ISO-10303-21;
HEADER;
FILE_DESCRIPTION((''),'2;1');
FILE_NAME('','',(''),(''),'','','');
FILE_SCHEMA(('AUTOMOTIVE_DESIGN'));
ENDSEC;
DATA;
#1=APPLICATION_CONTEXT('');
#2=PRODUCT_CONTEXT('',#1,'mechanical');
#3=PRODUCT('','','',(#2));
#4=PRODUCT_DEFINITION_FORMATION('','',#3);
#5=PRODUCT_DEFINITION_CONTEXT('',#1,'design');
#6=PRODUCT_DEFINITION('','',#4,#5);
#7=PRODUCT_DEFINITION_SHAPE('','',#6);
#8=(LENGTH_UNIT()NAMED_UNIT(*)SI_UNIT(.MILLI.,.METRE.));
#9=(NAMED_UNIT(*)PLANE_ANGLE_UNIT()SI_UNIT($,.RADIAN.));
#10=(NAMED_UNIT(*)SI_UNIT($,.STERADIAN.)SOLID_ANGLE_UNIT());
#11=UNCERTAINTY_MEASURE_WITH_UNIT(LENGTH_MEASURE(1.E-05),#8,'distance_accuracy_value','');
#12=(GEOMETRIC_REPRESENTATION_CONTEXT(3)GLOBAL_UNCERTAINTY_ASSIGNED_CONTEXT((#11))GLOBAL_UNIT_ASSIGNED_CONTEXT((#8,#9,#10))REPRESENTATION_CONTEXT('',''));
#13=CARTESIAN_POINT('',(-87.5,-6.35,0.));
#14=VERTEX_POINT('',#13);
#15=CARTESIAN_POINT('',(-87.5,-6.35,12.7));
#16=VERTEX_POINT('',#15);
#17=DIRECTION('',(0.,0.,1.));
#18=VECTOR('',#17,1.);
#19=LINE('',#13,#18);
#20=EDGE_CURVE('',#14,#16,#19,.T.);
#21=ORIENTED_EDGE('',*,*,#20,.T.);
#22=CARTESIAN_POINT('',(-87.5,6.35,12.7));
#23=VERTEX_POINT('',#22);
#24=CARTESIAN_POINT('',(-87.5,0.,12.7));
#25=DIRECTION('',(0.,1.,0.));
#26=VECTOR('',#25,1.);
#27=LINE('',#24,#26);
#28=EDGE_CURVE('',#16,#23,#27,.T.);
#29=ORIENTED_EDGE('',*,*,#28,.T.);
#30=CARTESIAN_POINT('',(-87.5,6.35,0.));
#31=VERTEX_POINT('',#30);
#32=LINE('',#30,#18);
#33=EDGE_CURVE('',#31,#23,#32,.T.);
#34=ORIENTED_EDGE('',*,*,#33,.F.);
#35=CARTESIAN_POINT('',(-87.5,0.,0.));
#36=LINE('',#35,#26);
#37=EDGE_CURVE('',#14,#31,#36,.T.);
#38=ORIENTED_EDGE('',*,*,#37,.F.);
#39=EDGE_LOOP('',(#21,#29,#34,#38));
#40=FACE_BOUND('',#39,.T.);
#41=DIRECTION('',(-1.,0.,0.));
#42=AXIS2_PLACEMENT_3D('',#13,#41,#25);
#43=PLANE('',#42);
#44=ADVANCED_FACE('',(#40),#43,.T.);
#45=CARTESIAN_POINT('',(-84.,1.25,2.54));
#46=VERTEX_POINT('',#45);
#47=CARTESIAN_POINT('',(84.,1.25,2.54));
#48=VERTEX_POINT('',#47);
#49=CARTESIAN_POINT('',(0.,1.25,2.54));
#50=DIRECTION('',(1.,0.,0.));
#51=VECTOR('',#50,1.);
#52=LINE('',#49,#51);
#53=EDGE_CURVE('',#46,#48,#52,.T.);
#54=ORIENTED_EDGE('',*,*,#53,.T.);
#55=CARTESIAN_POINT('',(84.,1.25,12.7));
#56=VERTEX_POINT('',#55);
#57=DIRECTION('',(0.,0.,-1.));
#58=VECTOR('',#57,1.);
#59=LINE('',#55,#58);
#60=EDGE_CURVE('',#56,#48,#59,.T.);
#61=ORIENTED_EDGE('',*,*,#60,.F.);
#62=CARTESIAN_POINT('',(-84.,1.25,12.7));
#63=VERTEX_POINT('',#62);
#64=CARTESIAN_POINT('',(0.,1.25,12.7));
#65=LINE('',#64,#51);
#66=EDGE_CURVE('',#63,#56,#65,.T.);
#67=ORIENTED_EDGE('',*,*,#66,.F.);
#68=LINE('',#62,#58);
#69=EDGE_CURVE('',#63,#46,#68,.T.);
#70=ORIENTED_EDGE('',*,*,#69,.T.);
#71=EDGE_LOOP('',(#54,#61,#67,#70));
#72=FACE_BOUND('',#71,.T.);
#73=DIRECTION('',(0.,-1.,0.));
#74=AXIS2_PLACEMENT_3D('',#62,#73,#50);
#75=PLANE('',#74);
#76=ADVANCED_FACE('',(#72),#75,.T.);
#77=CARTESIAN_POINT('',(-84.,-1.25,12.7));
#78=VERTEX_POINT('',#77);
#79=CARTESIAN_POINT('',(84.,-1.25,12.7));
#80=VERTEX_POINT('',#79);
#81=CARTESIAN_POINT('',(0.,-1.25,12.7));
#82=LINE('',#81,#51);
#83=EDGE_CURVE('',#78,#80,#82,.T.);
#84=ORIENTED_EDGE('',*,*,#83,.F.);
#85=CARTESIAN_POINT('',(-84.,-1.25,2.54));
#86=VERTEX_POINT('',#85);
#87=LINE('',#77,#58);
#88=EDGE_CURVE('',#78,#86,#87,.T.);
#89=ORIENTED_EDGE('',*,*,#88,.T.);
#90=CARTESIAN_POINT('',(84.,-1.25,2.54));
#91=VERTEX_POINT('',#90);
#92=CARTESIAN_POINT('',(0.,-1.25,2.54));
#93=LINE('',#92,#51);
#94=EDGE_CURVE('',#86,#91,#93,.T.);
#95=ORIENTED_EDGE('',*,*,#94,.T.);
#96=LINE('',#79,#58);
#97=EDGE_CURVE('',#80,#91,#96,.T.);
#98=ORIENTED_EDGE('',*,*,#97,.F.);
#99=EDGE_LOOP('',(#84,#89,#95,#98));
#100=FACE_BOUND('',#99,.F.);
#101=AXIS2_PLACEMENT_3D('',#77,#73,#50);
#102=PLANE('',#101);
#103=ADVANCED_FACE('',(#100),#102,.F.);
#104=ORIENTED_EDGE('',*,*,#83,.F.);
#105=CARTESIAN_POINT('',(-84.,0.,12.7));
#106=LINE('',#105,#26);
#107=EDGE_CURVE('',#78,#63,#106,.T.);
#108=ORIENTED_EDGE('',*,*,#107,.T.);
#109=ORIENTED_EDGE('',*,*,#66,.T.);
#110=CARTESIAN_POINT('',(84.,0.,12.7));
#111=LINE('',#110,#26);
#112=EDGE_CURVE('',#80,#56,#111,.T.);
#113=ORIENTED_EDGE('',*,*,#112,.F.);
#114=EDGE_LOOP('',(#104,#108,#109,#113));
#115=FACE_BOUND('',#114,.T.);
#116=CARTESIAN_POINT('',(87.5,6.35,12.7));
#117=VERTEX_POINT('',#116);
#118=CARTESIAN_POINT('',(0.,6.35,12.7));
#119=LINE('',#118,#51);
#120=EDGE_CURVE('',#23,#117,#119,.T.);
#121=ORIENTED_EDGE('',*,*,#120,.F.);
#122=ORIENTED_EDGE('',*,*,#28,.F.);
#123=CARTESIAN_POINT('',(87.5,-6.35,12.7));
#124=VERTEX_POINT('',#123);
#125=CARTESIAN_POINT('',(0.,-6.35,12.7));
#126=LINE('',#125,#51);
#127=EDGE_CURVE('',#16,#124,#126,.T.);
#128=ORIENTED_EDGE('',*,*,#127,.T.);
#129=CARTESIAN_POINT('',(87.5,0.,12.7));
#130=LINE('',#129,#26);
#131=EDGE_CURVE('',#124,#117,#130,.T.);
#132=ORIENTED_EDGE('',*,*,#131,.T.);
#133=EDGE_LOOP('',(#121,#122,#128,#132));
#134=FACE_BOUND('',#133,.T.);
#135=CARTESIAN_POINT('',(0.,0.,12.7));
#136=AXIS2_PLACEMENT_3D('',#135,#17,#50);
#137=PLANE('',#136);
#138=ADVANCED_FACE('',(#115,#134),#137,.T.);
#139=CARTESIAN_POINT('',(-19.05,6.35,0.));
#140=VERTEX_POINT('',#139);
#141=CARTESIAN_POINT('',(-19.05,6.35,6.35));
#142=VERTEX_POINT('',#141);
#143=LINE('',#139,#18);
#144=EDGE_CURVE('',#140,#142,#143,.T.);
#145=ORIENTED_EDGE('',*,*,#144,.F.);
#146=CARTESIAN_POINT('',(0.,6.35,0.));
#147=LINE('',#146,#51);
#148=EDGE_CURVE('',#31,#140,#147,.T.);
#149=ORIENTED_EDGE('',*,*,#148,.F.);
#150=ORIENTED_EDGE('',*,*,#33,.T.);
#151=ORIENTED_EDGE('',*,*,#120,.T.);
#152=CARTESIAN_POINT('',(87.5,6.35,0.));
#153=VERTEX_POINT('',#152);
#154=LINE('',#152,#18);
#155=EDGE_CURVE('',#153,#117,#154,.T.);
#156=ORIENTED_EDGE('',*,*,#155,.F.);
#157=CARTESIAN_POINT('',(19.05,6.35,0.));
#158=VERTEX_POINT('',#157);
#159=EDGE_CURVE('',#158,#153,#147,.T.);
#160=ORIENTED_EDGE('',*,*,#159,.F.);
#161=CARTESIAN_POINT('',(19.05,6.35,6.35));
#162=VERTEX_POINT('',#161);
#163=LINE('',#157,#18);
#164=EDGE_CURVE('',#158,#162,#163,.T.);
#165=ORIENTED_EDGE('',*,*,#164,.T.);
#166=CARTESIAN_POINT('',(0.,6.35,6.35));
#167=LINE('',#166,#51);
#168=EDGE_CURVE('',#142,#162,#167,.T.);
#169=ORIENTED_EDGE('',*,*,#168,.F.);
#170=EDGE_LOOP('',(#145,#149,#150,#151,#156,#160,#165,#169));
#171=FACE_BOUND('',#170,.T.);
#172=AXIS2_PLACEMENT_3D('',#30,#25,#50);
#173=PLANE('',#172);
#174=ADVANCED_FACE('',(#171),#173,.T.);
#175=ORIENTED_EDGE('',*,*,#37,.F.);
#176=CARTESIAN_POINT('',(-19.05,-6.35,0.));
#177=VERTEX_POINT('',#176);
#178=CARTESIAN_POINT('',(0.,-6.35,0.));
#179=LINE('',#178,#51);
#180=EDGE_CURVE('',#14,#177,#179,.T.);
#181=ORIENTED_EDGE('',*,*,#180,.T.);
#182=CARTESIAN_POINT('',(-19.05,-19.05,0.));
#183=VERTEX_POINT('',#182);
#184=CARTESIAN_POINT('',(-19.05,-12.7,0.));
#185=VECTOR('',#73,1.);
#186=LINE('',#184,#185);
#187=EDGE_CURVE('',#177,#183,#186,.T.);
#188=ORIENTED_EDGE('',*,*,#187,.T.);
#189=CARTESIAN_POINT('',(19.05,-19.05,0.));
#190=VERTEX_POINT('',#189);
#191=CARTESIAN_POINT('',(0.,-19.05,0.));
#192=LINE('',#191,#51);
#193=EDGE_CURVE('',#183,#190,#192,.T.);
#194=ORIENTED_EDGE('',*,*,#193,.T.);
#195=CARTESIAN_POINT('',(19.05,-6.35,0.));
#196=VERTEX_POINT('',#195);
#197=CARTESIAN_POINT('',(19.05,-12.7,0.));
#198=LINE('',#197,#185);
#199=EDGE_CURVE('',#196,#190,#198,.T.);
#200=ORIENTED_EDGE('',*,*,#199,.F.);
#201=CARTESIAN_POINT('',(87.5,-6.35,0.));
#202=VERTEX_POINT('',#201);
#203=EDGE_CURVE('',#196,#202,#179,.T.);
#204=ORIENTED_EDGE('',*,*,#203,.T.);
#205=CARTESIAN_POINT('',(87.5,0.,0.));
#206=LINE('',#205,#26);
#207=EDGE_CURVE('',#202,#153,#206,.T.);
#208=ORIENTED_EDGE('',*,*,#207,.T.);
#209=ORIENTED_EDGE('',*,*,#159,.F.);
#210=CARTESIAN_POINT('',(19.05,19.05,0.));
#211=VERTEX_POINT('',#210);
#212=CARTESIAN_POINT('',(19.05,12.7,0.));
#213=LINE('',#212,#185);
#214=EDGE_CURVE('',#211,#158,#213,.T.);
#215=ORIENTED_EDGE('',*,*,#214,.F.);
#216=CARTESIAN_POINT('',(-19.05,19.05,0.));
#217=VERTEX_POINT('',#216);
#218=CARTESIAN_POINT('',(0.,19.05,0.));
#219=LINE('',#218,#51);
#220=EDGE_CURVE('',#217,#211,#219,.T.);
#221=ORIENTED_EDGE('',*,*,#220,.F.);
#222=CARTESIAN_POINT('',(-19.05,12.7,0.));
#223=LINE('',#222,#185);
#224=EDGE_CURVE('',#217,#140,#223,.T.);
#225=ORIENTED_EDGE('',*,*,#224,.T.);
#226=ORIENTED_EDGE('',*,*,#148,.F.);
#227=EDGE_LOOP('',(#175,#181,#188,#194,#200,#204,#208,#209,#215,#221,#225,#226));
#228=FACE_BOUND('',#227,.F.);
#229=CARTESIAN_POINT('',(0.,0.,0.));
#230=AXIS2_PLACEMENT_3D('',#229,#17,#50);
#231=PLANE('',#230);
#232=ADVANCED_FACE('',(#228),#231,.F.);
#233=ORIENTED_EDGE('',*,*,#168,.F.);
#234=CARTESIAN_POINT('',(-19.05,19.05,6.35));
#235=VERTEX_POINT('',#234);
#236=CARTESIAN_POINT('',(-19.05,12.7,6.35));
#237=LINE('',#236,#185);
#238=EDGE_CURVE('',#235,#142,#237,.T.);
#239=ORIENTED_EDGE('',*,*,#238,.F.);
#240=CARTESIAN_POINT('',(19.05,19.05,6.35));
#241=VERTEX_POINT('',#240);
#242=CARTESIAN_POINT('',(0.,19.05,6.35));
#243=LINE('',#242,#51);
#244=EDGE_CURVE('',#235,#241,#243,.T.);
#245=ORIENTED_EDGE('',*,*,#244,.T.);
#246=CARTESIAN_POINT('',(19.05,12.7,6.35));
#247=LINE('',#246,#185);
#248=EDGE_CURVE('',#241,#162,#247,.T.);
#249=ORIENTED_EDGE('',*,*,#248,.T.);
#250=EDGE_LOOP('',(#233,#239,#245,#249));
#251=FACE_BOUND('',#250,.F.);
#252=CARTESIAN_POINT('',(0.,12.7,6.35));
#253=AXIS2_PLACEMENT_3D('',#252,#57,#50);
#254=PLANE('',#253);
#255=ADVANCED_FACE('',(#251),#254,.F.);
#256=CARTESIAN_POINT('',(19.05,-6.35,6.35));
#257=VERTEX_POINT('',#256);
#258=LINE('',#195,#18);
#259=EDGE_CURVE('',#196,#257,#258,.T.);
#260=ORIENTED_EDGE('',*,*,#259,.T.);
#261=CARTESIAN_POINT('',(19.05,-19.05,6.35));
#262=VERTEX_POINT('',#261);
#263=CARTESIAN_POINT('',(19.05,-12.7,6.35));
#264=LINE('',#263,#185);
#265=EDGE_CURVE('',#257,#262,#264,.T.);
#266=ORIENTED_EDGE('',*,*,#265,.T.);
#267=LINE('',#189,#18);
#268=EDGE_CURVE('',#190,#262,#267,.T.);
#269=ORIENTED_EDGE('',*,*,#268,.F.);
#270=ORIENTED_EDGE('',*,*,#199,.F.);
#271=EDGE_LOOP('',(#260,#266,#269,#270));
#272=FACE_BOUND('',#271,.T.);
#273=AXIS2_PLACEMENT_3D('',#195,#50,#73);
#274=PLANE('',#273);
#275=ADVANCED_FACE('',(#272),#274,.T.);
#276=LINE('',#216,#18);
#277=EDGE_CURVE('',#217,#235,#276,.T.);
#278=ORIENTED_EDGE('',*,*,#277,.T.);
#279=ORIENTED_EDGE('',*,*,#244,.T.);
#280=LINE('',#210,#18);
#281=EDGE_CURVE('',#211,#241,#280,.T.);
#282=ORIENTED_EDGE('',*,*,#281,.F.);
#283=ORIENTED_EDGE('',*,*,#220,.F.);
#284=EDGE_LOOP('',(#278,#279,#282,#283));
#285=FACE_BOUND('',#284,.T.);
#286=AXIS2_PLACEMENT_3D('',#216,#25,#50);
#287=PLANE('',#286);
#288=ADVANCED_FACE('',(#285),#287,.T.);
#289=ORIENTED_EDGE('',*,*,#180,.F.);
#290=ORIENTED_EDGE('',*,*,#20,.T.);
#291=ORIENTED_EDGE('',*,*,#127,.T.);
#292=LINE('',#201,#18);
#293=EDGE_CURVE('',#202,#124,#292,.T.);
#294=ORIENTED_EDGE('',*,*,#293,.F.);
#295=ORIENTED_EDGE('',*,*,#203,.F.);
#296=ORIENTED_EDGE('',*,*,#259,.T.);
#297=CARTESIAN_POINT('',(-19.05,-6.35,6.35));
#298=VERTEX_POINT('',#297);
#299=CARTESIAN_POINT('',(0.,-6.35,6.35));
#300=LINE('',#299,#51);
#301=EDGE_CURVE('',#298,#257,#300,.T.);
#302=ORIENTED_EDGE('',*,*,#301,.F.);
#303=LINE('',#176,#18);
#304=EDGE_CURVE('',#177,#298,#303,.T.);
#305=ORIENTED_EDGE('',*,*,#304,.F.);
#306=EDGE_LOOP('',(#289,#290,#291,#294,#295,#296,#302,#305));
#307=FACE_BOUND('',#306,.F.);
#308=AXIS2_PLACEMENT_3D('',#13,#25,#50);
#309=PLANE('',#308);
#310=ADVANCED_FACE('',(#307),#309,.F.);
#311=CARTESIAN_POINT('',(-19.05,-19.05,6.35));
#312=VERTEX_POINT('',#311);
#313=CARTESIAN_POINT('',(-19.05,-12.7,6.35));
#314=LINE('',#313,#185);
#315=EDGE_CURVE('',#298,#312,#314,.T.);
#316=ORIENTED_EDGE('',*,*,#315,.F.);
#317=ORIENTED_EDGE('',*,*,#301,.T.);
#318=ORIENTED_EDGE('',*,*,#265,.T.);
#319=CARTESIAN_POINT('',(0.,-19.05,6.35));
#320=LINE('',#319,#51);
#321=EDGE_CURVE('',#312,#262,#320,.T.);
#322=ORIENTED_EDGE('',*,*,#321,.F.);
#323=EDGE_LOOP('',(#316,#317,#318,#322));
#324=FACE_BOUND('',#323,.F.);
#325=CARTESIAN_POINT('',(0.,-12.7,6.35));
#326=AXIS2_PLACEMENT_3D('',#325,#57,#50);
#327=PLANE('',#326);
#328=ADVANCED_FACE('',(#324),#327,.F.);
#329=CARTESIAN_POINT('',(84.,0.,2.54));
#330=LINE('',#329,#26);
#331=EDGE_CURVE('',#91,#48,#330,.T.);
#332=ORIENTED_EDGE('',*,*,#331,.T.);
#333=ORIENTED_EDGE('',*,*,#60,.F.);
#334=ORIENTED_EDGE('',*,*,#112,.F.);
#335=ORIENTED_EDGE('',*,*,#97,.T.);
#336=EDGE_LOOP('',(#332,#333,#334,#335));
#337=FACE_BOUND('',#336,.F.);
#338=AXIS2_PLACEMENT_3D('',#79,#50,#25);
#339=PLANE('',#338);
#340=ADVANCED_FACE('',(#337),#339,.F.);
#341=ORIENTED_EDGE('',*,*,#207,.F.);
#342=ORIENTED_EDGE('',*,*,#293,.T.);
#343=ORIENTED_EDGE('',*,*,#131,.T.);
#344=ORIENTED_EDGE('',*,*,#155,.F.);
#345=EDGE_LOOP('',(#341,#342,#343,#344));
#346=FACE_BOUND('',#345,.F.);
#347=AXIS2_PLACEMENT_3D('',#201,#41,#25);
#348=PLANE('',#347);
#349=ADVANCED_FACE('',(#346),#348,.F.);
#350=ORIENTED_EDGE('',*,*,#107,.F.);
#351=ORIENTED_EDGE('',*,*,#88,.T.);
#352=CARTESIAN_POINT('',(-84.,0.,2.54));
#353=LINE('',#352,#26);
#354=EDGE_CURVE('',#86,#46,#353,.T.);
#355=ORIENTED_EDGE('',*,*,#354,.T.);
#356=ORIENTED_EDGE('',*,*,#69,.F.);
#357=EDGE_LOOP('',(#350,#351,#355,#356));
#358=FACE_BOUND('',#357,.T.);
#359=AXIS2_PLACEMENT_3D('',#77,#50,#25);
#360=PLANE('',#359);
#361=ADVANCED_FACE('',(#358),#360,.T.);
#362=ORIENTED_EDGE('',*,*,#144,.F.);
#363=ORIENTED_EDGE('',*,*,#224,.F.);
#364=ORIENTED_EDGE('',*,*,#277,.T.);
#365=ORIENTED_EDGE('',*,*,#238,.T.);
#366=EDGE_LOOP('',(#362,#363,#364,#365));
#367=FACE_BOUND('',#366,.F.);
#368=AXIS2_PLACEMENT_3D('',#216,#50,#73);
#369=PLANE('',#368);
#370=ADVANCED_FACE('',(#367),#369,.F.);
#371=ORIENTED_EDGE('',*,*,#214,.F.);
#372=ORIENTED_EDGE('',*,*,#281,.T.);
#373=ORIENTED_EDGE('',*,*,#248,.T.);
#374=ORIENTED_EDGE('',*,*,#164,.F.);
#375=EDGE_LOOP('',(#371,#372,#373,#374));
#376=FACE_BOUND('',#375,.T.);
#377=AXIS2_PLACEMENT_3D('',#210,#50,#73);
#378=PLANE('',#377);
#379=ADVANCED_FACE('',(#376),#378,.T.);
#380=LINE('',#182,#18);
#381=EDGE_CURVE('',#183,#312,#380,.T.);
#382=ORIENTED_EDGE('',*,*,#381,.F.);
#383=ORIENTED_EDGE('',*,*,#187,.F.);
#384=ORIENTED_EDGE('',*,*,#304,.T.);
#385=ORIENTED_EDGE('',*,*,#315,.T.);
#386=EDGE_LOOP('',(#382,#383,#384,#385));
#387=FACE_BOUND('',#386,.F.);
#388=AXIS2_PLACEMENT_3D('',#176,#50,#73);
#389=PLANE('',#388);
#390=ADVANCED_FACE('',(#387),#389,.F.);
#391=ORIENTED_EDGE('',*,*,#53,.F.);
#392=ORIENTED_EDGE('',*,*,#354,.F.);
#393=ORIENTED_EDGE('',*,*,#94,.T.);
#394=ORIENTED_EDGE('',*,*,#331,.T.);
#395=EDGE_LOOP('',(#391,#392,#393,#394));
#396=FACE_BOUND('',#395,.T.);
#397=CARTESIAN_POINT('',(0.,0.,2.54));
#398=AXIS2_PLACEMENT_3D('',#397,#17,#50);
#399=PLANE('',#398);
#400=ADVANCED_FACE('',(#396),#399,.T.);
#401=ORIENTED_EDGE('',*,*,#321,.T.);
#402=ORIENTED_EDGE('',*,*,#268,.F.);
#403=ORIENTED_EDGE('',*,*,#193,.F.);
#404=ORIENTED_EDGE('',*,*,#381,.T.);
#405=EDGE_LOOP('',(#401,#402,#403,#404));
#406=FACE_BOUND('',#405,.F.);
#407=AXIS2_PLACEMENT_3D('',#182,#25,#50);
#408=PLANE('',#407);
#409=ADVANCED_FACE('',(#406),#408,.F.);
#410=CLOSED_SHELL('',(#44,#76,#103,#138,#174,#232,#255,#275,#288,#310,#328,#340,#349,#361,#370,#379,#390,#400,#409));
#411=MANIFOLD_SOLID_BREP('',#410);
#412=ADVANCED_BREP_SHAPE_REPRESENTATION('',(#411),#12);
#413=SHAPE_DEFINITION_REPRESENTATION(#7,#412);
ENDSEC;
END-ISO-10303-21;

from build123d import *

# Parameters (mm, degrees)
F0_W     = 175
F0_H     = 12.7
F1_DEPTH = 12.7
F2_W     = 38.1
F2_H     = 12.7
F3_DEPTH = 6.35
F4_W     = 168
F4_H     = 2.5
F5_DEPTH = 10.16


with BuildPart() as f1:
    # F0 (on Top) → F1 (new body)
    with BuildSketch(Plane.XY):
        Rectangle(F0_W, F0_H)
    extrude(amount=F1_DEPTH)

    # F2 (on face) → F3 (join)
    with BuildSketch(Plane(origin=(0, 0, 0), x_dir=(1, 0, 0), z_dir=(0, 0, -1))):
        with Locations((0, -12.7)):
            Rectangle(F2_W, F2_H)
        with Locations((0, 12.7)):
            Rectangle(F2_W, F2_H)
    extrude(amount=-F3_DEPTH)

    # F4 (on face) → F5 (cut)
    with BuildSketch(Plane.XY.offset(12.7)):
        Rectangle(F4_W, F4_H)
    extrude(amount=-F5_DEPTH, mode=Mode.SUBTRACT)


solid = f1.part
